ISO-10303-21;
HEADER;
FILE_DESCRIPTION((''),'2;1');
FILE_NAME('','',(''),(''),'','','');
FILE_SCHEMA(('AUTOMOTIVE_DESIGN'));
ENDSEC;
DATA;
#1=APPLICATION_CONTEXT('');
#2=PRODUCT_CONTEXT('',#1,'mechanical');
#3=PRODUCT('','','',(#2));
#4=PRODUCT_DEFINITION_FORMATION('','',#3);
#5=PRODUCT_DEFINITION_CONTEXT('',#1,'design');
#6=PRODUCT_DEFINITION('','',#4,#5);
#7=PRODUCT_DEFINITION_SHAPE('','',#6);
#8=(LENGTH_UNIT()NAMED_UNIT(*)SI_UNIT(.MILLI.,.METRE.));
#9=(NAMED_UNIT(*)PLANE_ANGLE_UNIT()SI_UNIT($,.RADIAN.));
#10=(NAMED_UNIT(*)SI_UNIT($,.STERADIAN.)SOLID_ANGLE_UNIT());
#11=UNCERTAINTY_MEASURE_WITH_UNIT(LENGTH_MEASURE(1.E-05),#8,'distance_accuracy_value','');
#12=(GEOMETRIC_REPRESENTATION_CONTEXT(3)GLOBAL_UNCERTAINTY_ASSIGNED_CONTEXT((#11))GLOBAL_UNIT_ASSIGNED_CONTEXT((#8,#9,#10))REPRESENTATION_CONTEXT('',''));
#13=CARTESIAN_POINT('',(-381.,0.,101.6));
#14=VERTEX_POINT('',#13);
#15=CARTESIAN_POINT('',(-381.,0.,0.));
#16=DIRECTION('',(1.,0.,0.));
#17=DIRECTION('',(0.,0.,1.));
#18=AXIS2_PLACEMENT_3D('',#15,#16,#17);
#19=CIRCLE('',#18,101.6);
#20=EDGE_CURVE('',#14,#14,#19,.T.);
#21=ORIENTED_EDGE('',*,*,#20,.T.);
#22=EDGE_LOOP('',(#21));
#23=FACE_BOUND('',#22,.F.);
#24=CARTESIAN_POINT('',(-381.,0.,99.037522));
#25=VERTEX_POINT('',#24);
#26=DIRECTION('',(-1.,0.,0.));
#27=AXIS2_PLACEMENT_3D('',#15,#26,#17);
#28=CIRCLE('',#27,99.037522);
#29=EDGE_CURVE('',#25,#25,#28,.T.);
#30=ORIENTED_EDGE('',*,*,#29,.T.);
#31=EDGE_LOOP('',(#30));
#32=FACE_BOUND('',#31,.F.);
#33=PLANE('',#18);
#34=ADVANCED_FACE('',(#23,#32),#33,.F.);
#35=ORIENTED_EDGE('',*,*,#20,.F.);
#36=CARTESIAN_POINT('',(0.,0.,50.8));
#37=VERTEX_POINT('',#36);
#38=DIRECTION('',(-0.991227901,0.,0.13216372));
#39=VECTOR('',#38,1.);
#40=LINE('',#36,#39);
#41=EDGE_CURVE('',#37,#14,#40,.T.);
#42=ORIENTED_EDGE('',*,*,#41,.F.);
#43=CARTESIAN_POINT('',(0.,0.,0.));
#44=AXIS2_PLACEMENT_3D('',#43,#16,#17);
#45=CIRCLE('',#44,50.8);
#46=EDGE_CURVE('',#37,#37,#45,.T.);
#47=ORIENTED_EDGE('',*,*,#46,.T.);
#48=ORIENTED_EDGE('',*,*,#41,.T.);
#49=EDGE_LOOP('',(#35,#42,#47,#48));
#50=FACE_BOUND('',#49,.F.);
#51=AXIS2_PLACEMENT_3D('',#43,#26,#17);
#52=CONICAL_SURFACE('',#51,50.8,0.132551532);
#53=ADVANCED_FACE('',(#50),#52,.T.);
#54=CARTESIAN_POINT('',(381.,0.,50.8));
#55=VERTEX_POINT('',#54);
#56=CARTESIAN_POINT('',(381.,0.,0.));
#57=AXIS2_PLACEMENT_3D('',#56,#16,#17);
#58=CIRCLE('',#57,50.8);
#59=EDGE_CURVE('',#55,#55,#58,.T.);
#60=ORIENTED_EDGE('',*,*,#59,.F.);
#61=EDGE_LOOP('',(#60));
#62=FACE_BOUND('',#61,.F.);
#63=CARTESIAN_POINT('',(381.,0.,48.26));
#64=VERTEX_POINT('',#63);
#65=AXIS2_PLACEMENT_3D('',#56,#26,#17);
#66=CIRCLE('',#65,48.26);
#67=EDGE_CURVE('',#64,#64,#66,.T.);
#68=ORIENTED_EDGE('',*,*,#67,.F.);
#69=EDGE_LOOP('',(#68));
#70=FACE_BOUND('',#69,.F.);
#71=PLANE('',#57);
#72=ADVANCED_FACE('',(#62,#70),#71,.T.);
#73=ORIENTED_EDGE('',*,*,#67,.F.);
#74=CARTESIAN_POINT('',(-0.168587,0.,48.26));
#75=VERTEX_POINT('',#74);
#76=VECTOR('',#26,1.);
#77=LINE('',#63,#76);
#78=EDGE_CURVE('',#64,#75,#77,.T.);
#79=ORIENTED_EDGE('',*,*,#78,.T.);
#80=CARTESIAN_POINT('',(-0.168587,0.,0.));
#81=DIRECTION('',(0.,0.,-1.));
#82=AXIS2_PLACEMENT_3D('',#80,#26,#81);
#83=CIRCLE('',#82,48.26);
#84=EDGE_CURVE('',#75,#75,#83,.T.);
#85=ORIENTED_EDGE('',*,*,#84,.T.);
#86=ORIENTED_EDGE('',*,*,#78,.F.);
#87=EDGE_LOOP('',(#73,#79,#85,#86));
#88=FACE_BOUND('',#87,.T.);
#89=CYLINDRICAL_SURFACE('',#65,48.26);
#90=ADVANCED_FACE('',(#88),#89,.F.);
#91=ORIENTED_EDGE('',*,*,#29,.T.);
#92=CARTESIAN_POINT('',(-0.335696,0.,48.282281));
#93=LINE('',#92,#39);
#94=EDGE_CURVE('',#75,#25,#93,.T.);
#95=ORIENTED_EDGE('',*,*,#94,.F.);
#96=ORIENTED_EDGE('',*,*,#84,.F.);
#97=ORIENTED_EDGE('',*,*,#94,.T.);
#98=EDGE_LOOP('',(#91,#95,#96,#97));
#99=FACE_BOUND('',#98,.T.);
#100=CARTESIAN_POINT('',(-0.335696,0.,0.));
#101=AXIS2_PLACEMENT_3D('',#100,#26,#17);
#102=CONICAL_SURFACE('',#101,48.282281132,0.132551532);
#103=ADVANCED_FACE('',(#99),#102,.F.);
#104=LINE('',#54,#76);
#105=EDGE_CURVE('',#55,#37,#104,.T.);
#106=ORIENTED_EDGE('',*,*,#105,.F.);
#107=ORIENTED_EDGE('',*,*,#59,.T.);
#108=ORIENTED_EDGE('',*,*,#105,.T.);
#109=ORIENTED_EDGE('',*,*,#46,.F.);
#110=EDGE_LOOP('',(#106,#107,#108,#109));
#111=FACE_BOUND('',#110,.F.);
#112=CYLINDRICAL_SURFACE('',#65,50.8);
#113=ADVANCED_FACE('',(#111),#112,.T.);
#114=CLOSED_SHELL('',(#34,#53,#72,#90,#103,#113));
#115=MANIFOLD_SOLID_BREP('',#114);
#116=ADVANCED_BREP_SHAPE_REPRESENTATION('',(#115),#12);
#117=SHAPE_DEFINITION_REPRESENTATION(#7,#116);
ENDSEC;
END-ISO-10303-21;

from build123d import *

# Parameters (mm, degrees)
F2_T = -2.54


with BuildPart() as f1:
    # F0 (on Front) → F1 (revolve)
    with BuildSketch(Plane.XZ):
        Polygon((-381, 101.6), (-381, 0), (381, 0), (381, 50.8), (0, 50.8), align=None)
    revolve(axis=Axis((0, 0, 0), (1, 0, 0)))

    # F2
    f2_openings = [f1.faces().sort_by_distance(p)[0] for p in [
        (-381, 0, 0),
        (381, 0, 0),
    ]]
    offset(amount=F2_T, openings=f2_openings, kind=Kind.INTERSECTION)


solid = f1.part
